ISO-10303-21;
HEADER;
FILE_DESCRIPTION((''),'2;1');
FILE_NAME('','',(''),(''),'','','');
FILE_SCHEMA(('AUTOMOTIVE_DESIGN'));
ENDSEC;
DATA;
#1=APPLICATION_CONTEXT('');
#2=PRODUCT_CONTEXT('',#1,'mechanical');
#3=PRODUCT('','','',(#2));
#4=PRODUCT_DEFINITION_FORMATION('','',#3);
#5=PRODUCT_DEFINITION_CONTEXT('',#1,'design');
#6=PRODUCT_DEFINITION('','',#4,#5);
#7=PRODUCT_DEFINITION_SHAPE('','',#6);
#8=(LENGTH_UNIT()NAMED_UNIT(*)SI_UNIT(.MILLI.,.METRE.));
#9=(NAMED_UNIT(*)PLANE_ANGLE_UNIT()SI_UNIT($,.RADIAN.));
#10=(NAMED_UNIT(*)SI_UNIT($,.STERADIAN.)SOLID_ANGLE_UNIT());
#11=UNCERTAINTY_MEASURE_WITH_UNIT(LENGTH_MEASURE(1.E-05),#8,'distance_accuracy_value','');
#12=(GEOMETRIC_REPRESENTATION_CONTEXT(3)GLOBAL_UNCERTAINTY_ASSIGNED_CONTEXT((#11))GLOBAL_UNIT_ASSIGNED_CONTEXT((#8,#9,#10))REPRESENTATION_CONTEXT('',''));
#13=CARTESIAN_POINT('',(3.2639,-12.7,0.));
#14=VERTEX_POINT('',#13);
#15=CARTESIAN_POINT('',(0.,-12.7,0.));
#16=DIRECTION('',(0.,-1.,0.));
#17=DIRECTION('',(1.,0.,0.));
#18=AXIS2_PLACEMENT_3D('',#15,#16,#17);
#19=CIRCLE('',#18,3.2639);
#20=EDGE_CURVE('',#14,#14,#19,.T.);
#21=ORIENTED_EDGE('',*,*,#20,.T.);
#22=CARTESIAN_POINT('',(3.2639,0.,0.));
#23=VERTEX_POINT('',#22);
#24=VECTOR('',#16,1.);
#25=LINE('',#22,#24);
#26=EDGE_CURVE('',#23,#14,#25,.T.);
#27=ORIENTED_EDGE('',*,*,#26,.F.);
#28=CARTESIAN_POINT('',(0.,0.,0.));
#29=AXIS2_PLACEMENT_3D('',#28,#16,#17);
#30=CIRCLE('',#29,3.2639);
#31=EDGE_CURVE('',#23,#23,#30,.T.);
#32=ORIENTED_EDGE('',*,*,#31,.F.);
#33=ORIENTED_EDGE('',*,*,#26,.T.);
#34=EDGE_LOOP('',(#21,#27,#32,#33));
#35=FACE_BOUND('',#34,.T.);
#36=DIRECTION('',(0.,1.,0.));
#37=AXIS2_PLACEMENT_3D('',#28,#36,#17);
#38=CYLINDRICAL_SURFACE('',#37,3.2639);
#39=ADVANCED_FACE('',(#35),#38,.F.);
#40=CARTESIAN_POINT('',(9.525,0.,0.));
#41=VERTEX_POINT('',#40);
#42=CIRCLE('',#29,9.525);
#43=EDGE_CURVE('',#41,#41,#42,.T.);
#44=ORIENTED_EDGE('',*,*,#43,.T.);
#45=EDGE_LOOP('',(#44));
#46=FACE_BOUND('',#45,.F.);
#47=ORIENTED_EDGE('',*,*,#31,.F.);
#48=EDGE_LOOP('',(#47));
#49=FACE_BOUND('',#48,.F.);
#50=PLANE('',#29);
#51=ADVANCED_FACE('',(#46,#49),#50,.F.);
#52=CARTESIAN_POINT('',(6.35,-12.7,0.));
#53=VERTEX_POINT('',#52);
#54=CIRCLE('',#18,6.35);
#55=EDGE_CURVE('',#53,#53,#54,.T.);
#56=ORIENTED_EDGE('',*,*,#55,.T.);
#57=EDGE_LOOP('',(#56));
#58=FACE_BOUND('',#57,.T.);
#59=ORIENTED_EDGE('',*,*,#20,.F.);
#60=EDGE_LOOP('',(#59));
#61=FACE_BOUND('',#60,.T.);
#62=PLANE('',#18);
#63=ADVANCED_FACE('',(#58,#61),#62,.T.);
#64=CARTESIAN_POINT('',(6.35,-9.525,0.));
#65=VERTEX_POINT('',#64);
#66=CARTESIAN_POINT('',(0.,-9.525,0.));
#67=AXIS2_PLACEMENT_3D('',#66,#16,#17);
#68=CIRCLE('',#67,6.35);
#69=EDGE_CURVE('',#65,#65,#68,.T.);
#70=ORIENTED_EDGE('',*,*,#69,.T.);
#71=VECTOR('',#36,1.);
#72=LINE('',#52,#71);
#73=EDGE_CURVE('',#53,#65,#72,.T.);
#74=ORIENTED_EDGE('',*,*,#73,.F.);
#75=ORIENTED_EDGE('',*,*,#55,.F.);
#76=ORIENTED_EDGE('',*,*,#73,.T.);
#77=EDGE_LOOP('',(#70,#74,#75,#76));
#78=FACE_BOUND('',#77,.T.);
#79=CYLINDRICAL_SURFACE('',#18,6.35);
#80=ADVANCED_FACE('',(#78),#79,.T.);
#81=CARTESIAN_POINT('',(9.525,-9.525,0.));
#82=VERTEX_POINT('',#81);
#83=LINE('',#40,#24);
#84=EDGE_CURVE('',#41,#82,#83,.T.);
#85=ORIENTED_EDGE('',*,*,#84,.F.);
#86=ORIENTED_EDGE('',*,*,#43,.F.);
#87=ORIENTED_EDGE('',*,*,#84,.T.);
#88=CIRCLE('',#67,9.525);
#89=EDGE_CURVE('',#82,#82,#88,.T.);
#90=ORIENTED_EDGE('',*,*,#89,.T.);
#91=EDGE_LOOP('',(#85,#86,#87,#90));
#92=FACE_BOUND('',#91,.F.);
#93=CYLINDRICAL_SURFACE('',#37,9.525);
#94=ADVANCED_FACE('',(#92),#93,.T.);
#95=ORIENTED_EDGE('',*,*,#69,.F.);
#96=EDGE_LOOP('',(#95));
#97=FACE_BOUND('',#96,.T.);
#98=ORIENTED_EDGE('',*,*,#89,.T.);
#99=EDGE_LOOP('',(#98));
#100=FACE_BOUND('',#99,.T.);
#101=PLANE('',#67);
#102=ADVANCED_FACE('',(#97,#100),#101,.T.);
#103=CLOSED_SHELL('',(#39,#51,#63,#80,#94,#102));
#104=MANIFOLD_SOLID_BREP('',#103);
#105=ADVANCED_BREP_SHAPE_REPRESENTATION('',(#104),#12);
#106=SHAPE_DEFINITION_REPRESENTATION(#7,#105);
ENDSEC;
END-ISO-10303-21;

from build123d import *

# Parameters (mm, degrees)
F0_R     = 9.525
F0_R_2   = 3.2639
F1_DEPTH = 12.7
F2_R     = 9.525
F2_R_2   = 6.35
F3_DEPTH = 3.175


with BuildPart() as f1:
    # F0 (on Front) → F1 (new body)
    with BuildSketch(Plane.XZ):
        Circle(F0_R)
        Circle(F0_R_2, mode=Mode.SUBTRACT)
    extrude(amount=F1_DEPTH)

    # F2 (on face) → F3 (cut)
    with BuildSketch(Plane.XZ.offset(12.7)):
        Circle(F2_R)
        Circle(F2_R_2, mode=Mode.SUBTRACT)
    extrude(amount=-F3_DEPTH, mode=Mode.SUBTRACT)


solid = f1.part
